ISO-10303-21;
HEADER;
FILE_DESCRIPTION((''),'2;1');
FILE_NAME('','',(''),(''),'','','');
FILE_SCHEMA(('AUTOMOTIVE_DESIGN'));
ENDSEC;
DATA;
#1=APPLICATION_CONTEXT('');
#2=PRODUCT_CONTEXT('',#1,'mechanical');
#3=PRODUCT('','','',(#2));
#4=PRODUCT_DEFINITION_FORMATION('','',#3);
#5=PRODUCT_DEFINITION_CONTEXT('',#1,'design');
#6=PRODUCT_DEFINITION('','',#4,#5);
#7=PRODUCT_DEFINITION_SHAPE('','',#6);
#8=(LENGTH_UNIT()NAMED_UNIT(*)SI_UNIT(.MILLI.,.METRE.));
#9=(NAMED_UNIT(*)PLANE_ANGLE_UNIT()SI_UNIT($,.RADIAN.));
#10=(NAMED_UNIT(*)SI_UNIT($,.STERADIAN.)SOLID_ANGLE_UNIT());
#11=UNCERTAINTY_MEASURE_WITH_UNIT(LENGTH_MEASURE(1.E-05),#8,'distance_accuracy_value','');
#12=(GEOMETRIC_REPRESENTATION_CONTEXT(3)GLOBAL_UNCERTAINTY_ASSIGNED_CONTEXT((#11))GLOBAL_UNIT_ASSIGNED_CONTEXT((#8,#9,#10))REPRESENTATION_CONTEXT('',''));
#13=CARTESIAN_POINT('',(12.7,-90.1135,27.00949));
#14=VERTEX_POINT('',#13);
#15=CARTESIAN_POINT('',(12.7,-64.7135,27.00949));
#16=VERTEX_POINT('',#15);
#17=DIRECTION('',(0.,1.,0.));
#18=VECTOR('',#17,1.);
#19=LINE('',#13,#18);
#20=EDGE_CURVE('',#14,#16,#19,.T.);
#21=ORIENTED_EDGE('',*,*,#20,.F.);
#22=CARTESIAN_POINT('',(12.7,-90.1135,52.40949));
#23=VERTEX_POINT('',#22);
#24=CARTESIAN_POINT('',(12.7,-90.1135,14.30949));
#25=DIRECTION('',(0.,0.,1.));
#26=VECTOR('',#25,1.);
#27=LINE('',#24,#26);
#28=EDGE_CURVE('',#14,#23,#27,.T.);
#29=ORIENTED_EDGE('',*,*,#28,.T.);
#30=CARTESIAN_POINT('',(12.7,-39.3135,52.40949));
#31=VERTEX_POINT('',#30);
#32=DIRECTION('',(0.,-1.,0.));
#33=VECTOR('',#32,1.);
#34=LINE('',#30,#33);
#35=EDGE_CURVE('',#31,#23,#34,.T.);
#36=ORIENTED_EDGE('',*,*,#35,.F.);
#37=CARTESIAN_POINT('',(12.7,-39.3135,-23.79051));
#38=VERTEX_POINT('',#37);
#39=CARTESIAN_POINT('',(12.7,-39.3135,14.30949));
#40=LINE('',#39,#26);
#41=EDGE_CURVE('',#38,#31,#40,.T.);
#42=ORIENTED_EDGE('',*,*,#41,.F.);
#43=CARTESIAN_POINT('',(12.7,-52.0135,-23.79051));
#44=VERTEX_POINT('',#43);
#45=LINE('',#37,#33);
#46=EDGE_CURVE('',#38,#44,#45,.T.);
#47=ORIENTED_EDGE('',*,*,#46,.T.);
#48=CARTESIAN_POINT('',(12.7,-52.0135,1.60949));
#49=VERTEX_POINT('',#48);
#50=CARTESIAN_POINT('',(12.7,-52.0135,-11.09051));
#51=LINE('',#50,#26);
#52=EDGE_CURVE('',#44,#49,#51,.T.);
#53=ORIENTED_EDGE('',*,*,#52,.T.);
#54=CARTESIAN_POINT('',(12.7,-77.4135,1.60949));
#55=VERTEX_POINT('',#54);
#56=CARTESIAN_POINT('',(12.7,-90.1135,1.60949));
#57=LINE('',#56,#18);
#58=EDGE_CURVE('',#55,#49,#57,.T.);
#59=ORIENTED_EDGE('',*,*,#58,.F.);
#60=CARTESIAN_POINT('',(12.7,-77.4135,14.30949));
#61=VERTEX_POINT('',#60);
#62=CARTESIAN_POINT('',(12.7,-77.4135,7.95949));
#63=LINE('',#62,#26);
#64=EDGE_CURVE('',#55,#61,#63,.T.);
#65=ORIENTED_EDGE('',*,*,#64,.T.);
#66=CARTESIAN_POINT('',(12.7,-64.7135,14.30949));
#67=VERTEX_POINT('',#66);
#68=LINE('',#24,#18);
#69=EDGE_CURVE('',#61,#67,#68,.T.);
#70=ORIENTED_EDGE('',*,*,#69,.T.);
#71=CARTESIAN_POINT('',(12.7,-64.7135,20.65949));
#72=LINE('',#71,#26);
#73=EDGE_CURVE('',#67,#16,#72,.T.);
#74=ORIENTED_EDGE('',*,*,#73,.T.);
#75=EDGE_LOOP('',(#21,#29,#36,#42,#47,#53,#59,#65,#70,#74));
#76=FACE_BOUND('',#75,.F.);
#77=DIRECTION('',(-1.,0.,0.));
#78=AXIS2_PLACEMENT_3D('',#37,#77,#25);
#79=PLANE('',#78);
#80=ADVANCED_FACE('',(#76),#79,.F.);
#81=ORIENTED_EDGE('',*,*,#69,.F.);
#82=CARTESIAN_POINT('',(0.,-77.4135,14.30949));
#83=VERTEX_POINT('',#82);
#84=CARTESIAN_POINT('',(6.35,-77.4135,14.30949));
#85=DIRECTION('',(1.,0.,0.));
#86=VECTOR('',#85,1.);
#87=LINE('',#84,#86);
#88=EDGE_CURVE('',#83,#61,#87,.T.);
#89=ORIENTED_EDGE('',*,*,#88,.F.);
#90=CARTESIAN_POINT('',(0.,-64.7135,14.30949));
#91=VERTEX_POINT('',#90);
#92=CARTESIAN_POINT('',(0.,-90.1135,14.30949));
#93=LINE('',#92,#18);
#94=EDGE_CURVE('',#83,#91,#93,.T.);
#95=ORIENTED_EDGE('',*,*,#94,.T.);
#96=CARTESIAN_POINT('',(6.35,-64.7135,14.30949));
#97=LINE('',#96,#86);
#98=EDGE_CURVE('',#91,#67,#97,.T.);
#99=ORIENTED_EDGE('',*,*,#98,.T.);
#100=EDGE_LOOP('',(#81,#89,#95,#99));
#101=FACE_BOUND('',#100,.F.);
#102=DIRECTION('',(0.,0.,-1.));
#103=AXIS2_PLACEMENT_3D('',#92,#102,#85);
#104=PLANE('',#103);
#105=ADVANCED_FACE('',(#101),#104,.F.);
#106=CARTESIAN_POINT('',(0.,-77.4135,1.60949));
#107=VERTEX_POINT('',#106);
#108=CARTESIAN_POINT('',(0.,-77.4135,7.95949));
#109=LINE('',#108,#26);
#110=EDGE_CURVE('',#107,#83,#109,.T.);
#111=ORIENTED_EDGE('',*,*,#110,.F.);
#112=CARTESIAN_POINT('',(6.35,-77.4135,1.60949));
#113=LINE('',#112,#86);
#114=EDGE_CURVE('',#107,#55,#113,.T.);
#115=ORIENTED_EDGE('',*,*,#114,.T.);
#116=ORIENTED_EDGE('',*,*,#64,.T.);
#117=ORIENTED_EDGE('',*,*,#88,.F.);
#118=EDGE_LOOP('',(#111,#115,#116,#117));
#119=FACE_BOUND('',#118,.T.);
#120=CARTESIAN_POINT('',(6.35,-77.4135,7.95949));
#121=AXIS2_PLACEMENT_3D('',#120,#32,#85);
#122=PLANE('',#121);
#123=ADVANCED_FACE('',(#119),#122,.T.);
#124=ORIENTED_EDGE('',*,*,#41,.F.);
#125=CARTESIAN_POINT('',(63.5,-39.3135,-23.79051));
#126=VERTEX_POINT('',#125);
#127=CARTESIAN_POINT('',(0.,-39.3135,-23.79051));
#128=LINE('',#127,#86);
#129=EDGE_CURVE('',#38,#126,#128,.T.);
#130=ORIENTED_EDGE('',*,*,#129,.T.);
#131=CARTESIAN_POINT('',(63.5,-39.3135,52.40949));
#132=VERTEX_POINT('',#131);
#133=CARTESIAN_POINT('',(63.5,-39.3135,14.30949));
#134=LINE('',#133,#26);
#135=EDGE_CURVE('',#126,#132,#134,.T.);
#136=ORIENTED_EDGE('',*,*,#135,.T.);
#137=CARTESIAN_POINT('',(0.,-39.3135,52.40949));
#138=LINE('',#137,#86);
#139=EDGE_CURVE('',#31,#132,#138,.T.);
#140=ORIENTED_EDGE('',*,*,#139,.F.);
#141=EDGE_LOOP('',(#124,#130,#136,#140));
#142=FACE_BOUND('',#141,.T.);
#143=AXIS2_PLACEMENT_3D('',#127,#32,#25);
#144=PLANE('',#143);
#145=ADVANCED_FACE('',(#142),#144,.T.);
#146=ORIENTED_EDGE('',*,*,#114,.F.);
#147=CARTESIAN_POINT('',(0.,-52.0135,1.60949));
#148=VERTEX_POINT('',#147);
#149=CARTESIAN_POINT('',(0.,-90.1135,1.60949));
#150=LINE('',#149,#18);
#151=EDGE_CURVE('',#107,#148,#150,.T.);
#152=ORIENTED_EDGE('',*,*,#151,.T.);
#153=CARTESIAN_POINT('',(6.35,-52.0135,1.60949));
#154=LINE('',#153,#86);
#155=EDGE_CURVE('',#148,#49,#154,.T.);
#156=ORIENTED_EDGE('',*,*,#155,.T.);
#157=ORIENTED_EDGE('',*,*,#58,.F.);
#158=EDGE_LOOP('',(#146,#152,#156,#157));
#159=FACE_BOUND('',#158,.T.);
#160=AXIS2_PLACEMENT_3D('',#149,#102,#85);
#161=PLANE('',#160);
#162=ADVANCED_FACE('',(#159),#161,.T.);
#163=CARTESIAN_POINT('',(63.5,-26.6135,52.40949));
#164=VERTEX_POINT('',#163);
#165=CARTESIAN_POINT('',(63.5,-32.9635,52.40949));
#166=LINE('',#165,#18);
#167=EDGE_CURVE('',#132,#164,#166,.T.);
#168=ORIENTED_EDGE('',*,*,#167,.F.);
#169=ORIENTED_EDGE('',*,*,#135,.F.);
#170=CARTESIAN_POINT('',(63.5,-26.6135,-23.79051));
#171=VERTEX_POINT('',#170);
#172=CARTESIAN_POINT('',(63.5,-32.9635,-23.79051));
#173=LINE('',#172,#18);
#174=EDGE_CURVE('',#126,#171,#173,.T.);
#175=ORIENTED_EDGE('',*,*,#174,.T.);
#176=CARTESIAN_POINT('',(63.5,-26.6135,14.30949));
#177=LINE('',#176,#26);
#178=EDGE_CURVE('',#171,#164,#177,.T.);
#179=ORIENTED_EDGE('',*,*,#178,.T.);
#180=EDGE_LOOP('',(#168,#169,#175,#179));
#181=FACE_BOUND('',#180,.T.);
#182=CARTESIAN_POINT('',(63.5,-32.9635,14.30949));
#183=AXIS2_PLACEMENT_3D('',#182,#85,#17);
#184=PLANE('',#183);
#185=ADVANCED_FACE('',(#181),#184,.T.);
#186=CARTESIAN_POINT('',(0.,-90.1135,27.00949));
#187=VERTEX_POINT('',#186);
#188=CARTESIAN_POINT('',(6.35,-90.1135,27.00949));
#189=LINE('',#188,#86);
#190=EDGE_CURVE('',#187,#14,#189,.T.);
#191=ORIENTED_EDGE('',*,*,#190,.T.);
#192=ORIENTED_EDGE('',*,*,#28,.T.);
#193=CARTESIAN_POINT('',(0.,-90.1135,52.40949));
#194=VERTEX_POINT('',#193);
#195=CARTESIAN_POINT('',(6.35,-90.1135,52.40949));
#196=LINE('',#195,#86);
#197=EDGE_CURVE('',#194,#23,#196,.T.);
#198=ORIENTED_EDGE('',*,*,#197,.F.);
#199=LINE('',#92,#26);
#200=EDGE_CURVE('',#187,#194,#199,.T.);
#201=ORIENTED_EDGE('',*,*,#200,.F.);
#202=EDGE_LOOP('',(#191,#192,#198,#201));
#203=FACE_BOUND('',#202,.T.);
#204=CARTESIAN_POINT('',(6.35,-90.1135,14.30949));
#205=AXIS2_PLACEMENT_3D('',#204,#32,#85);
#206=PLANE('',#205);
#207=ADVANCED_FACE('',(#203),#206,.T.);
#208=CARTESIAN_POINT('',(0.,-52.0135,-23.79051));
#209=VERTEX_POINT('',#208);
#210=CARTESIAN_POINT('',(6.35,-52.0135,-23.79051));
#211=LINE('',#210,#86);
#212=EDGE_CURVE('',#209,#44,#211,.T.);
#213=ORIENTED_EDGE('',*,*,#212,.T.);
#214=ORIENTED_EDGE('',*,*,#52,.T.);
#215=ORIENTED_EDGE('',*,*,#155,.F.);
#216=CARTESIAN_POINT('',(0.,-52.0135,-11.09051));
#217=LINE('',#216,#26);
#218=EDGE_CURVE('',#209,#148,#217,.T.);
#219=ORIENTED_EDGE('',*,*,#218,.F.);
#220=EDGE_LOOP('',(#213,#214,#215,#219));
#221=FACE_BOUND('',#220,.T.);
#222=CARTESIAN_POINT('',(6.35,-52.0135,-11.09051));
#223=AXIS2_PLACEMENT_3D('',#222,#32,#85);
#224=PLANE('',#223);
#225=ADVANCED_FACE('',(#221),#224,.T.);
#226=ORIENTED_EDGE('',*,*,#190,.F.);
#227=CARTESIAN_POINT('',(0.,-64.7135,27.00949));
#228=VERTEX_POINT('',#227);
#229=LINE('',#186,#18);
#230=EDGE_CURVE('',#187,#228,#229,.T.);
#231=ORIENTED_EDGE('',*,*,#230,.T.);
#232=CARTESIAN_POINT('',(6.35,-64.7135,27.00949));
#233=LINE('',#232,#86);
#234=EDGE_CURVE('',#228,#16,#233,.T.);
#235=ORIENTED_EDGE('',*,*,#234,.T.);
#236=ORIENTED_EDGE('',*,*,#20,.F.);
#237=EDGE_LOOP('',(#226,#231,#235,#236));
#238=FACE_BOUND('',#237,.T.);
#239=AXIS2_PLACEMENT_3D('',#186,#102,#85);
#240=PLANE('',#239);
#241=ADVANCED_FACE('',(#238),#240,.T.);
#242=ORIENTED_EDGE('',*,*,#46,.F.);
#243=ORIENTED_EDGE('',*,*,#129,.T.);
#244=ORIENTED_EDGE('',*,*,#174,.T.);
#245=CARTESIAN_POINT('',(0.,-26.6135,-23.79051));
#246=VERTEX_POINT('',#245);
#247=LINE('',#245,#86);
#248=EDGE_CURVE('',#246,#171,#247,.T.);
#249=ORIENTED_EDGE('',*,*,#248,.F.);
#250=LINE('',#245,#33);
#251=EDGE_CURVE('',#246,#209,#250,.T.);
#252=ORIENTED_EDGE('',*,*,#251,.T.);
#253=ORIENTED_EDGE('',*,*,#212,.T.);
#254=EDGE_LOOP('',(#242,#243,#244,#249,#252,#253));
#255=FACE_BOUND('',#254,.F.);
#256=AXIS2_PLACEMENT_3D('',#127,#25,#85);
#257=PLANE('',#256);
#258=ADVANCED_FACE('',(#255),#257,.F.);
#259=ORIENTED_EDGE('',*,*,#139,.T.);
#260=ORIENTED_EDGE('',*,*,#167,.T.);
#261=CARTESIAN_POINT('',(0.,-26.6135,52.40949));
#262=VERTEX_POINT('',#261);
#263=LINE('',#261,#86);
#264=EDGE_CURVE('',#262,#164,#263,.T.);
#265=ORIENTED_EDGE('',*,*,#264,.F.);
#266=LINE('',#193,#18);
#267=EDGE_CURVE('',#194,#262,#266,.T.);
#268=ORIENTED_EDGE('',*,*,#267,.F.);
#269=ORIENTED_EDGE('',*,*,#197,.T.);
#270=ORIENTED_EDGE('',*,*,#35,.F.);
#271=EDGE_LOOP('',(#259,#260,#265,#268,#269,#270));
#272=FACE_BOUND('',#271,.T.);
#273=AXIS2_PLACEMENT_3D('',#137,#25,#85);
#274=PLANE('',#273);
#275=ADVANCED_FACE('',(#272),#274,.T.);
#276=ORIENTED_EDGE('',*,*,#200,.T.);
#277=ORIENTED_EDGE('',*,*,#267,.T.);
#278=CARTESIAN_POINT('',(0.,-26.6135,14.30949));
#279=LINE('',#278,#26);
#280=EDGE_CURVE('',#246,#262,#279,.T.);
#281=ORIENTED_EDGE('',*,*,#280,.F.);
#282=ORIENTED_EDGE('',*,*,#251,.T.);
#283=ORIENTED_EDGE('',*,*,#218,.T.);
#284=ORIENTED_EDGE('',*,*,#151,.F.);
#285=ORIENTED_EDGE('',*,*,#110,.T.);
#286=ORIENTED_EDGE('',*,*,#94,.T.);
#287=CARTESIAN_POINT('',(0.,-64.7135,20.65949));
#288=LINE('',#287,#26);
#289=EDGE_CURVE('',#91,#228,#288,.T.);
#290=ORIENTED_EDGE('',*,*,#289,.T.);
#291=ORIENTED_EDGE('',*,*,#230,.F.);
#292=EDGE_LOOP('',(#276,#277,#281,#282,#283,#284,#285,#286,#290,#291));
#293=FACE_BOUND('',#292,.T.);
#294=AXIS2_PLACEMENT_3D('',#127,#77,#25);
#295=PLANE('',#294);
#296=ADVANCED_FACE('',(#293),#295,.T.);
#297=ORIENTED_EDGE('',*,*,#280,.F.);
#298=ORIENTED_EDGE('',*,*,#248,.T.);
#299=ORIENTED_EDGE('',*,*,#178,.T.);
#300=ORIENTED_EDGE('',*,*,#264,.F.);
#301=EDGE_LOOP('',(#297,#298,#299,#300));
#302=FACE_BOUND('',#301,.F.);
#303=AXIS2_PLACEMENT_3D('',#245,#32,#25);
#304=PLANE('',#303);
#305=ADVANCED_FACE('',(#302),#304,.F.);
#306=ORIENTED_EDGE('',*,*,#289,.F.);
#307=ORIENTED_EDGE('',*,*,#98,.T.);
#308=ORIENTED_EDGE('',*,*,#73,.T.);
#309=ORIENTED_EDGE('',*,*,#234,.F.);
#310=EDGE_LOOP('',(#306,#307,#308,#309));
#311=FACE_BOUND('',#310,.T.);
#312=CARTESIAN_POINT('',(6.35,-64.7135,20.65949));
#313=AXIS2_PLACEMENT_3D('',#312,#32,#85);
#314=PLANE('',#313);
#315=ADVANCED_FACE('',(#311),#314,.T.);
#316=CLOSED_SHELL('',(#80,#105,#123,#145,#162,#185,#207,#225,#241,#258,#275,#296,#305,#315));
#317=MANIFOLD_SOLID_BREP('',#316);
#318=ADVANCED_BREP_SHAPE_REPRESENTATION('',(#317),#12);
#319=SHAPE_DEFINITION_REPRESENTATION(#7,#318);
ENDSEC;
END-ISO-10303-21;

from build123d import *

# Parameters (mm, degrees)
F0_W     = 12.7
F0_H     = 76.2
F1_DEPTH = 63.5
F2_W     = 12.7
F2_H     = 76.2
F3_DEPTH = 50.8
F4_W     = 12.7
F4_H     = 25.4
F5_DEPTH = 38.1
F6_W     = 12.7
F6_H     = 12.7
F7_DEPTH = 12.7
F8_W     = 12.7
F8_H     = 12.7
F9_DEPTH = 25.4


with BuildPart() as f1:
    # F0 (on Right) → F1 (new body)
    with BuildSketch(Plane.YZ):
        with Locations((-32.9635, 14.30949)):
            Rectangle(F0_W, F0_H)
    extrude(amount=F1_DEPTH)

    # F2 (on face) → F3 (join)
    with BuildSketch(Plane.XZ.offset(39.3135)):
        with Locations((6.35, 14.30949)):
            Rectangle(F2_W, F2_H)
    extrude(amount=F3_DEPTH)

    # F4 (on face) → F5 (cut)
    with BuildSketch(Plane.XZ.offset(90.1135)):
        with Locations((6.35, -11.09051)):
            Rectangle(F4_W, F4_H)
    extrude(amount=-F5_DEPTH, mode=Mode.SUBTRACT)

    # F6 (on face) → F7 (cut)
    with BuildSketch(Plane.XZ.offset(90.1135)):
        with Locations((6.35, 7.95949)):
            Rectangle(F6_W, F6_H)
    extrude(amount=-F7_DEPTH, mode=Mode.SUBTRACT)

    # F8 (on face) → F9 (cut)
    with BuildSketch(Plane.XZ.offset(90.1135)):
        with Locations((6.35, 20.65949)):
            Rectangle(F8_W, F8_H)
    extrude(amount=-F9_DEPTH, mode=Mode.SUBTRACT)


solid = f1.part
